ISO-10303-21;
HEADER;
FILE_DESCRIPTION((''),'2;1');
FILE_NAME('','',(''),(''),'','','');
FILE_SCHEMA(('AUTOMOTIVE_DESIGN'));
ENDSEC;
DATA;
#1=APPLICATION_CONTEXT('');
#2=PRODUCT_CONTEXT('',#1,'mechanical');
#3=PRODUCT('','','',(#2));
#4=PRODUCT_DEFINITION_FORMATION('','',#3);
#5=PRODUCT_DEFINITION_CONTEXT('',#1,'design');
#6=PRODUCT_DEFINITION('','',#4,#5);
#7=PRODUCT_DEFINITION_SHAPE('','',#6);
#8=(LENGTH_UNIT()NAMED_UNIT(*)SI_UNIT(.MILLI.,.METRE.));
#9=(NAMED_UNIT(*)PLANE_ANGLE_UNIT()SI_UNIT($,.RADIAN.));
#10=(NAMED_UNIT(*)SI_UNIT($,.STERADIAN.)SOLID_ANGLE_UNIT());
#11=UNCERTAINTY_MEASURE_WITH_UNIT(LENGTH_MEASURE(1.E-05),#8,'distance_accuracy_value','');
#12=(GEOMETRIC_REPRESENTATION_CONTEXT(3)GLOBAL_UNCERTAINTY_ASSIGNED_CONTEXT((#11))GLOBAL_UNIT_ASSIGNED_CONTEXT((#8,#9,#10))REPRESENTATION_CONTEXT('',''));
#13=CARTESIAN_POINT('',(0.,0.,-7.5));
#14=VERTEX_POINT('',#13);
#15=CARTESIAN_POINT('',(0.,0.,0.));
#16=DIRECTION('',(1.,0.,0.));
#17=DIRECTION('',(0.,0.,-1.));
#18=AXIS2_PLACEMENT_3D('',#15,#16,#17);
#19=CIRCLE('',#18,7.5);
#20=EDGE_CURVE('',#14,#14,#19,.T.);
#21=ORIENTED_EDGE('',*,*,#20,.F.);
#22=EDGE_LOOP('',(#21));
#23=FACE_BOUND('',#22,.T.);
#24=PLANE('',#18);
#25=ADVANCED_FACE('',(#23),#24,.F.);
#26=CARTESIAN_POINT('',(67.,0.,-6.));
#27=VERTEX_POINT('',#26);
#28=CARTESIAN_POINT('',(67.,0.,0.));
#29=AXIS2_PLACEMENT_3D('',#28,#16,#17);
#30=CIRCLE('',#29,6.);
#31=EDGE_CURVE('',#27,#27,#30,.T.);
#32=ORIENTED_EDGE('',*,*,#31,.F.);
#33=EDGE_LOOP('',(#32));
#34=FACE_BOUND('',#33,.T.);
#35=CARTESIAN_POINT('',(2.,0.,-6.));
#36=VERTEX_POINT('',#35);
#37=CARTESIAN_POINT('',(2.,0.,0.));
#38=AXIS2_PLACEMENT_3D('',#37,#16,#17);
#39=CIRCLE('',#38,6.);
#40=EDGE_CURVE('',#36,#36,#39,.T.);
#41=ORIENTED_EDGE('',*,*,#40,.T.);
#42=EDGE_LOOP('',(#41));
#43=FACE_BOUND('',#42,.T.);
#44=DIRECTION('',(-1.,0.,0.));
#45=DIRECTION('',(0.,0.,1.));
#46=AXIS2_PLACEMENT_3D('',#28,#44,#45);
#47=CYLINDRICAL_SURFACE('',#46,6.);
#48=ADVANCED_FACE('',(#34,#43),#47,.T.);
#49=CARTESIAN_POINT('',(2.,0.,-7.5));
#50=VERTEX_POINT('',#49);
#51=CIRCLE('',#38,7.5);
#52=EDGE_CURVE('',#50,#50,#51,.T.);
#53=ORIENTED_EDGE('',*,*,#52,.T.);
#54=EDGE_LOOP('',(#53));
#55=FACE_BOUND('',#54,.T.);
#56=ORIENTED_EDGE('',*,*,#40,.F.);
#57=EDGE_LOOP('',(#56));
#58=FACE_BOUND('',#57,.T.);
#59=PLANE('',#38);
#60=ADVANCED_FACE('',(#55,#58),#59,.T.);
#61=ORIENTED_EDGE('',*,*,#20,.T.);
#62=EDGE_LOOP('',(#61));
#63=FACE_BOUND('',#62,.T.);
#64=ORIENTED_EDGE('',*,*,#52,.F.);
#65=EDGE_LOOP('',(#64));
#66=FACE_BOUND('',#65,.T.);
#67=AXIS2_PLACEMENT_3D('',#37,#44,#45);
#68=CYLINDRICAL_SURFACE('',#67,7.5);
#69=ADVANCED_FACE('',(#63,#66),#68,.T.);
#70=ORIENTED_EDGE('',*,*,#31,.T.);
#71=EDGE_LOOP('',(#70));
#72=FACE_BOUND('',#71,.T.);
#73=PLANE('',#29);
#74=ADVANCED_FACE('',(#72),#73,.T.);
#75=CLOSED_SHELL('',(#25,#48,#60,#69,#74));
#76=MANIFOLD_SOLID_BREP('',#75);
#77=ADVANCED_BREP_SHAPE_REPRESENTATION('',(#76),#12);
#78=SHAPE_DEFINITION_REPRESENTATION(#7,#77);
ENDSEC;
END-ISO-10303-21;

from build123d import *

# Parameters (mm, degrees)
SKETCH1_R           = 7.5
SKETCH1_R_2         = 6
BOSS_EXTRUDE2_DEPTH = 2
SKETCH1_4_R         = 6
BOSS_EXTRUDE3_DEPTH = 67


with BuildPart() as part:
    # Sketch1 → Boss-Extrude2 (new body)
    with BuildSketch(Plane(origin=(0, 0, 0), x_dir=(0, 0, -1), z_dir=(1, 0, 0))):
        Circle(SKETCH1_R)
        Circle(SKETCH1_R_2, mode=Mode.SUBTRACT)
    extrude(amount=BOSS_EXTRUDE2_DEPTH)

    # Sketch1<4> → Boss-Extrude3 (add)
    with BuildSketch(Plane(origin=(0, 0, 0), x_dir=(0, 0, -1), z_dir=(1, 0, 0))):
        Circle(SKETCH1_4_R)
    extrude(amount=BOSS_EXTRUDE3_DEPTH)


solid = part.part
